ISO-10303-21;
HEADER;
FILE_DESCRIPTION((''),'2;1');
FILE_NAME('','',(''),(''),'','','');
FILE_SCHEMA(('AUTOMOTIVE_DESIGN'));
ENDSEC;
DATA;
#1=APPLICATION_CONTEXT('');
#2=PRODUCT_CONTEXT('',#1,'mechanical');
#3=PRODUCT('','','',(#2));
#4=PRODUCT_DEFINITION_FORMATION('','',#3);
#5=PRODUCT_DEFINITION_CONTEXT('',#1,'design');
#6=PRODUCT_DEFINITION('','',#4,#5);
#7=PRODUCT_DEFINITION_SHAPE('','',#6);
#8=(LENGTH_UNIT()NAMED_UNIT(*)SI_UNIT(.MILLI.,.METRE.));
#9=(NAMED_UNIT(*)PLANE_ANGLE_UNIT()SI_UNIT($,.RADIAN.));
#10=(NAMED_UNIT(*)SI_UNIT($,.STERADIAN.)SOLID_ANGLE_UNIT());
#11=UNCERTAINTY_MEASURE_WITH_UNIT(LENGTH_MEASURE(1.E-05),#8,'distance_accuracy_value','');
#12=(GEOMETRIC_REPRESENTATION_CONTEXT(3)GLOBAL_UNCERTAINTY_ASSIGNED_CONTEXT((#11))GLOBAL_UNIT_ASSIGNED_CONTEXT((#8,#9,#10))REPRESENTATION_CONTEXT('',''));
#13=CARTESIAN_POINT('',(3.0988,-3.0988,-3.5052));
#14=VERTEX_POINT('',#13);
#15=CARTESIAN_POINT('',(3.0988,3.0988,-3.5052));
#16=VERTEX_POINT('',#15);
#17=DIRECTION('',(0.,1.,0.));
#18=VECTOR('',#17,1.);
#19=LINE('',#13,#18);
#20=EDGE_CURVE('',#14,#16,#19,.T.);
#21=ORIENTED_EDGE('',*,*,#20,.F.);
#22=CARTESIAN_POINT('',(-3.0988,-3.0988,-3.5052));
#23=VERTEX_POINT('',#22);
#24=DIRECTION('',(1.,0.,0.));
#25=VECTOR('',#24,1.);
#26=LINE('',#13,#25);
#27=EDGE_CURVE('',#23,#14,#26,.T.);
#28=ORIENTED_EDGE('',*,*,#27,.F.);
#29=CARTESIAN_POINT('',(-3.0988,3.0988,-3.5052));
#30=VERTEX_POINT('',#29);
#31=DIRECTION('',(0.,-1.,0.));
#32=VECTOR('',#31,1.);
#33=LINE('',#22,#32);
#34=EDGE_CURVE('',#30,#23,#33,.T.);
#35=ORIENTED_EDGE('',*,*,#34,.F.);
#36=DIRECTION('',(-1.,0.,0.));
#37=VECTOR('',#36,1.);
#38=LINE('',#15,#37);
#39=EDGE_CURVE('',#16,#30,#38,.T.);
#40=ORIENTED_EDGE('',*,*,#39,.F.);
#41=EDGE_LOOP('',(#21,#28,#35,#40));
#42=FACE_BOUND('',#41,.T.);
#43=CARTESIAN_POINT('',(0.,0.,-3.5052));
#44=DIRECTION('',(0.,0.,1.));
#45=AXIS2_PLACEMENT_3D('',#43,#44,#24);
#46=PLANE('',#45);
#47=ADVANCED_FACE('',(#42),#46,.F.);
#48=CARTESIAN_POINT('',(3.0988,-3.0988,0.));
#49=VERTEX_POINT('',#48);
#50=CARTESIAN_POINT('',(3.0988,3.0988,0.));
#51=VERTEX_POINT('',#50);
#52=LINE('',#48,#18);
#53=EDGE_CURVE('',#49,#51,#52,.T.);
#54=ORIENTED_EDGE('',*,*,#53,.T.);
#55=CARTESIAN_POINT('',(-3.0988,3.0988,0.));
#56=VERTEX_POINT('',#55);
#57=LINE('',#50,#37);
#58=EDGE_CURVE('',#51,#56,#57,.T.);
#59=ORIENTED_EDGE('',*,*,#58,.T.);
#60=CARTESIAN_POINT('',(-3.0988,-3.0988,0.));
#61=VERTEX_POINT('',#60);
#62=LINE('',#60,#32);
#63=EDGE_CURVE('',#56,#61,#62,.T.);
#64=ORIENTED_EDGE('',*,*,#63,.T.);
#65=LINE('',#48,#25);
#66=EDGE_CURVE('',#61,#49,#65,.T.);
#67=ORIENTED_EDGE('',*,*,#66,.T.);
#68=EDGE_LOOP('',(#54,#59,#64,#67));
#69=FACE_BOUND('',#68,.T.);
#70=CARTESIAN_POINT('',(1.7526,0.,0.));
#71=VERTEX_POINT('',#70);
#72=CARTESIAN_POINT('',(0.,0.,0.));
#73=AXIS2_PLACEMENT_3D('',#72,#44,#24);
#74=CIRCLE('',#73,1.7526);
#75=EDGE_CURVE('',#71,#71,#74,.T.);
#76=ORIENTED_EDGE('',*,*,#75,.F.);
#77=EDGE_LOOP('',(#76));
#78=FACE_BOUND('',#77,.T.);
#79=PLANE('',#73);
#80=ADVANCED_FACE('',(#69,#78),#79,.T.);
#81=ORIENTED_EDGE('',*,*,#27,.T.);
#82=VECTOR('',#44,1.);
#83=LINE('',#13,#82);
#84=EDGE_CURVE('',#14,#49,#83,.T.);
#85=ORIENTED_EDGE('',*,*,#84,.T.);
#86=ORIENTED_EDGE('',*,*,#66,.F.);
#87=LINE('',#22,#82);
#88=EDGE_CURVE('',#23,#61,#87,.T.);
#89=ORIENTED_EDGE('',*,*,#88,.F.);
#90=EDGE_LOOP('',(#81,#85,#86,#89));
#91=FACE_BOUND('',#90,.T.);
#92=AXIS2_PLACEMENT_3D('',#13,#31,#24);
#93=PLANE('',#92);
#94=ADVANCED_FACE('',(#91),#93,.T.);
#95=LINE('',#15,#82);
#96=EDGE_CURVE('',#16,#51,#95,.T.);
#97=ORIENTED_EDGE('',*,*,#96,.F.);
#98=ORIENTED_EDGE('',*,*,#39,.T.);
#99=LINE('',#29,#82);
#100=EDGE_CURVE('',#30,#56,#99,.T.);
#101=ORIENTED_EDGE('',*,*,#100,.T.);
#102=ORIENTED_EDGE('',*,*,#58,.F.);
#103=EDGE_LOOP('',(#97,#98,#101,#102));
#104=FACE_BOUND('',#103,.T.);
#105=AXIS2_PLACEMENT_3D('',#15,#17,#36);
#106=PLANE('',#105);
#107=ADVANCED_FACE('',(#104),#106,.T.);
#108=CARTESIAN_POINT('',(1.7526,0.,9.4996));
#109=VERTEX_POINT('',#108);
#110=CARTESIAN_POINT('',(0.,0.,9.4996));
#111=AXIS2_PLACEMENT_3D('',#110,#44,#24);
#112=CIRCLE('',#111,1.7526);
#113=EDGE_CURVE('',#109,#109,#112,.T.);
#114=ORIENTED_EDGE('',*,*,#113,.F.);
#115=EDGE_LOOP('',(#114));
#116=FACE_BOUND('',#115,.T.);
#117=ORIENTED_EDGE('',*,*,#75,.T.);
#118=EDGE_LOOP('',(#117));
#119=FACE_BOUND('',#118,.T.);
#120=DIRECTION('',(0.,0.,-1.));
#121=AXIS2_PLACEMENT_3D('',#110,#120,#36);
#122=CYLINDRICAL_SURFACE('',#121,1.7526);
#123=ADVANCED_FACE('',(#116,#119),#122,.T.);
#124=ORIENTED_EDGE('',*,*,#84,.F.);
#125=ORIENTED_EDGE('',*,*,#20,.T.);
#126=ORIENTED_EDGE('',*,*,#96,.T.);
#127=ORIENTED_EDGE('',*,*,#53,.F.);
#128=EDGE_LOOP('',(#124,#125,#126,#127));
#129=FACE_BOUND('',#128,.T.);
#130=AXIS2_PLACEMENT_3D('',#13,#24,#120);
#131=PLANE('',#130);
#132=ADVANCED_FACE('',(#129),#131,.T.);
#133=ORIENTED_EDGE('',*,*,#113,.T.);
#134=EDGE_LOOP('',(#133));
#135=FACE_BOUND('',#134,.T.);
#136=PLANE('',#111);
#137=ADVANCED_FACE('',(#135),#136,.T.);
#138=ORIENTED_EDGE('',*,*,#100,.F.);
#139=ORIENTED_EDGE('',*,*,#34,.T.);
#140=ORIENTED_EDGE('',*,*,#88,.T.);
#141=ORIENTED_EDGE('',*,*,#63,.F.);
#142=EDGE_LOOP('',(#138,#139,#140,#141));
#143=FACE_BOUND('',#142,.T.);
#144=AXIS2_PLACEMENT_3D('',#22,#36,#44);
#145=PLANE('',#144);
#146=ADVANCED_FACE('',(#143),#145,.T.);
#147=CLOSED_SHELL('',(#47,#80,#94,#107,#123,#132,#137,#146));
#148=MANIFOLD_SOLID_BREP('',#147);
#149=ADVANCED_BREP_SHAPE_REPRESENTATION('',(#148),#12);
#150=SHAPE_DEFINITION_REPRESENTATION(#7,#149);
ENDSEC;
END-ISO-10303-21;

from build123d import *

# Parameters (mm, degrees)
SKETCH1_W           = 6.1976
SKETCH1_H           = 6.1976
BOSS_EXTRUDE1_DEPTH = 3.5052
SKETCH2_R           = 1.7526
BOSS_EXTRUDE2_DEPTH = 9.4996


with BuildPart() as part:
    # Sketch1 → Boss-Extrude1 (new body)
    with BuildSketch(Plane.XY):
        Rectangle(SKETCH1_W, SKETCH1_H)
    extrude(amount=-BOSS_EXTRUDE1_DEPTH)

    # Sketch2 → Boss-Extrude2 (add)
    with BuildSketch(Plane.XY):
        Circle(SKETCH2_R)
    extrude(amount=BOSS_EXTRUDE2_DEPTH)


solid = part.part
